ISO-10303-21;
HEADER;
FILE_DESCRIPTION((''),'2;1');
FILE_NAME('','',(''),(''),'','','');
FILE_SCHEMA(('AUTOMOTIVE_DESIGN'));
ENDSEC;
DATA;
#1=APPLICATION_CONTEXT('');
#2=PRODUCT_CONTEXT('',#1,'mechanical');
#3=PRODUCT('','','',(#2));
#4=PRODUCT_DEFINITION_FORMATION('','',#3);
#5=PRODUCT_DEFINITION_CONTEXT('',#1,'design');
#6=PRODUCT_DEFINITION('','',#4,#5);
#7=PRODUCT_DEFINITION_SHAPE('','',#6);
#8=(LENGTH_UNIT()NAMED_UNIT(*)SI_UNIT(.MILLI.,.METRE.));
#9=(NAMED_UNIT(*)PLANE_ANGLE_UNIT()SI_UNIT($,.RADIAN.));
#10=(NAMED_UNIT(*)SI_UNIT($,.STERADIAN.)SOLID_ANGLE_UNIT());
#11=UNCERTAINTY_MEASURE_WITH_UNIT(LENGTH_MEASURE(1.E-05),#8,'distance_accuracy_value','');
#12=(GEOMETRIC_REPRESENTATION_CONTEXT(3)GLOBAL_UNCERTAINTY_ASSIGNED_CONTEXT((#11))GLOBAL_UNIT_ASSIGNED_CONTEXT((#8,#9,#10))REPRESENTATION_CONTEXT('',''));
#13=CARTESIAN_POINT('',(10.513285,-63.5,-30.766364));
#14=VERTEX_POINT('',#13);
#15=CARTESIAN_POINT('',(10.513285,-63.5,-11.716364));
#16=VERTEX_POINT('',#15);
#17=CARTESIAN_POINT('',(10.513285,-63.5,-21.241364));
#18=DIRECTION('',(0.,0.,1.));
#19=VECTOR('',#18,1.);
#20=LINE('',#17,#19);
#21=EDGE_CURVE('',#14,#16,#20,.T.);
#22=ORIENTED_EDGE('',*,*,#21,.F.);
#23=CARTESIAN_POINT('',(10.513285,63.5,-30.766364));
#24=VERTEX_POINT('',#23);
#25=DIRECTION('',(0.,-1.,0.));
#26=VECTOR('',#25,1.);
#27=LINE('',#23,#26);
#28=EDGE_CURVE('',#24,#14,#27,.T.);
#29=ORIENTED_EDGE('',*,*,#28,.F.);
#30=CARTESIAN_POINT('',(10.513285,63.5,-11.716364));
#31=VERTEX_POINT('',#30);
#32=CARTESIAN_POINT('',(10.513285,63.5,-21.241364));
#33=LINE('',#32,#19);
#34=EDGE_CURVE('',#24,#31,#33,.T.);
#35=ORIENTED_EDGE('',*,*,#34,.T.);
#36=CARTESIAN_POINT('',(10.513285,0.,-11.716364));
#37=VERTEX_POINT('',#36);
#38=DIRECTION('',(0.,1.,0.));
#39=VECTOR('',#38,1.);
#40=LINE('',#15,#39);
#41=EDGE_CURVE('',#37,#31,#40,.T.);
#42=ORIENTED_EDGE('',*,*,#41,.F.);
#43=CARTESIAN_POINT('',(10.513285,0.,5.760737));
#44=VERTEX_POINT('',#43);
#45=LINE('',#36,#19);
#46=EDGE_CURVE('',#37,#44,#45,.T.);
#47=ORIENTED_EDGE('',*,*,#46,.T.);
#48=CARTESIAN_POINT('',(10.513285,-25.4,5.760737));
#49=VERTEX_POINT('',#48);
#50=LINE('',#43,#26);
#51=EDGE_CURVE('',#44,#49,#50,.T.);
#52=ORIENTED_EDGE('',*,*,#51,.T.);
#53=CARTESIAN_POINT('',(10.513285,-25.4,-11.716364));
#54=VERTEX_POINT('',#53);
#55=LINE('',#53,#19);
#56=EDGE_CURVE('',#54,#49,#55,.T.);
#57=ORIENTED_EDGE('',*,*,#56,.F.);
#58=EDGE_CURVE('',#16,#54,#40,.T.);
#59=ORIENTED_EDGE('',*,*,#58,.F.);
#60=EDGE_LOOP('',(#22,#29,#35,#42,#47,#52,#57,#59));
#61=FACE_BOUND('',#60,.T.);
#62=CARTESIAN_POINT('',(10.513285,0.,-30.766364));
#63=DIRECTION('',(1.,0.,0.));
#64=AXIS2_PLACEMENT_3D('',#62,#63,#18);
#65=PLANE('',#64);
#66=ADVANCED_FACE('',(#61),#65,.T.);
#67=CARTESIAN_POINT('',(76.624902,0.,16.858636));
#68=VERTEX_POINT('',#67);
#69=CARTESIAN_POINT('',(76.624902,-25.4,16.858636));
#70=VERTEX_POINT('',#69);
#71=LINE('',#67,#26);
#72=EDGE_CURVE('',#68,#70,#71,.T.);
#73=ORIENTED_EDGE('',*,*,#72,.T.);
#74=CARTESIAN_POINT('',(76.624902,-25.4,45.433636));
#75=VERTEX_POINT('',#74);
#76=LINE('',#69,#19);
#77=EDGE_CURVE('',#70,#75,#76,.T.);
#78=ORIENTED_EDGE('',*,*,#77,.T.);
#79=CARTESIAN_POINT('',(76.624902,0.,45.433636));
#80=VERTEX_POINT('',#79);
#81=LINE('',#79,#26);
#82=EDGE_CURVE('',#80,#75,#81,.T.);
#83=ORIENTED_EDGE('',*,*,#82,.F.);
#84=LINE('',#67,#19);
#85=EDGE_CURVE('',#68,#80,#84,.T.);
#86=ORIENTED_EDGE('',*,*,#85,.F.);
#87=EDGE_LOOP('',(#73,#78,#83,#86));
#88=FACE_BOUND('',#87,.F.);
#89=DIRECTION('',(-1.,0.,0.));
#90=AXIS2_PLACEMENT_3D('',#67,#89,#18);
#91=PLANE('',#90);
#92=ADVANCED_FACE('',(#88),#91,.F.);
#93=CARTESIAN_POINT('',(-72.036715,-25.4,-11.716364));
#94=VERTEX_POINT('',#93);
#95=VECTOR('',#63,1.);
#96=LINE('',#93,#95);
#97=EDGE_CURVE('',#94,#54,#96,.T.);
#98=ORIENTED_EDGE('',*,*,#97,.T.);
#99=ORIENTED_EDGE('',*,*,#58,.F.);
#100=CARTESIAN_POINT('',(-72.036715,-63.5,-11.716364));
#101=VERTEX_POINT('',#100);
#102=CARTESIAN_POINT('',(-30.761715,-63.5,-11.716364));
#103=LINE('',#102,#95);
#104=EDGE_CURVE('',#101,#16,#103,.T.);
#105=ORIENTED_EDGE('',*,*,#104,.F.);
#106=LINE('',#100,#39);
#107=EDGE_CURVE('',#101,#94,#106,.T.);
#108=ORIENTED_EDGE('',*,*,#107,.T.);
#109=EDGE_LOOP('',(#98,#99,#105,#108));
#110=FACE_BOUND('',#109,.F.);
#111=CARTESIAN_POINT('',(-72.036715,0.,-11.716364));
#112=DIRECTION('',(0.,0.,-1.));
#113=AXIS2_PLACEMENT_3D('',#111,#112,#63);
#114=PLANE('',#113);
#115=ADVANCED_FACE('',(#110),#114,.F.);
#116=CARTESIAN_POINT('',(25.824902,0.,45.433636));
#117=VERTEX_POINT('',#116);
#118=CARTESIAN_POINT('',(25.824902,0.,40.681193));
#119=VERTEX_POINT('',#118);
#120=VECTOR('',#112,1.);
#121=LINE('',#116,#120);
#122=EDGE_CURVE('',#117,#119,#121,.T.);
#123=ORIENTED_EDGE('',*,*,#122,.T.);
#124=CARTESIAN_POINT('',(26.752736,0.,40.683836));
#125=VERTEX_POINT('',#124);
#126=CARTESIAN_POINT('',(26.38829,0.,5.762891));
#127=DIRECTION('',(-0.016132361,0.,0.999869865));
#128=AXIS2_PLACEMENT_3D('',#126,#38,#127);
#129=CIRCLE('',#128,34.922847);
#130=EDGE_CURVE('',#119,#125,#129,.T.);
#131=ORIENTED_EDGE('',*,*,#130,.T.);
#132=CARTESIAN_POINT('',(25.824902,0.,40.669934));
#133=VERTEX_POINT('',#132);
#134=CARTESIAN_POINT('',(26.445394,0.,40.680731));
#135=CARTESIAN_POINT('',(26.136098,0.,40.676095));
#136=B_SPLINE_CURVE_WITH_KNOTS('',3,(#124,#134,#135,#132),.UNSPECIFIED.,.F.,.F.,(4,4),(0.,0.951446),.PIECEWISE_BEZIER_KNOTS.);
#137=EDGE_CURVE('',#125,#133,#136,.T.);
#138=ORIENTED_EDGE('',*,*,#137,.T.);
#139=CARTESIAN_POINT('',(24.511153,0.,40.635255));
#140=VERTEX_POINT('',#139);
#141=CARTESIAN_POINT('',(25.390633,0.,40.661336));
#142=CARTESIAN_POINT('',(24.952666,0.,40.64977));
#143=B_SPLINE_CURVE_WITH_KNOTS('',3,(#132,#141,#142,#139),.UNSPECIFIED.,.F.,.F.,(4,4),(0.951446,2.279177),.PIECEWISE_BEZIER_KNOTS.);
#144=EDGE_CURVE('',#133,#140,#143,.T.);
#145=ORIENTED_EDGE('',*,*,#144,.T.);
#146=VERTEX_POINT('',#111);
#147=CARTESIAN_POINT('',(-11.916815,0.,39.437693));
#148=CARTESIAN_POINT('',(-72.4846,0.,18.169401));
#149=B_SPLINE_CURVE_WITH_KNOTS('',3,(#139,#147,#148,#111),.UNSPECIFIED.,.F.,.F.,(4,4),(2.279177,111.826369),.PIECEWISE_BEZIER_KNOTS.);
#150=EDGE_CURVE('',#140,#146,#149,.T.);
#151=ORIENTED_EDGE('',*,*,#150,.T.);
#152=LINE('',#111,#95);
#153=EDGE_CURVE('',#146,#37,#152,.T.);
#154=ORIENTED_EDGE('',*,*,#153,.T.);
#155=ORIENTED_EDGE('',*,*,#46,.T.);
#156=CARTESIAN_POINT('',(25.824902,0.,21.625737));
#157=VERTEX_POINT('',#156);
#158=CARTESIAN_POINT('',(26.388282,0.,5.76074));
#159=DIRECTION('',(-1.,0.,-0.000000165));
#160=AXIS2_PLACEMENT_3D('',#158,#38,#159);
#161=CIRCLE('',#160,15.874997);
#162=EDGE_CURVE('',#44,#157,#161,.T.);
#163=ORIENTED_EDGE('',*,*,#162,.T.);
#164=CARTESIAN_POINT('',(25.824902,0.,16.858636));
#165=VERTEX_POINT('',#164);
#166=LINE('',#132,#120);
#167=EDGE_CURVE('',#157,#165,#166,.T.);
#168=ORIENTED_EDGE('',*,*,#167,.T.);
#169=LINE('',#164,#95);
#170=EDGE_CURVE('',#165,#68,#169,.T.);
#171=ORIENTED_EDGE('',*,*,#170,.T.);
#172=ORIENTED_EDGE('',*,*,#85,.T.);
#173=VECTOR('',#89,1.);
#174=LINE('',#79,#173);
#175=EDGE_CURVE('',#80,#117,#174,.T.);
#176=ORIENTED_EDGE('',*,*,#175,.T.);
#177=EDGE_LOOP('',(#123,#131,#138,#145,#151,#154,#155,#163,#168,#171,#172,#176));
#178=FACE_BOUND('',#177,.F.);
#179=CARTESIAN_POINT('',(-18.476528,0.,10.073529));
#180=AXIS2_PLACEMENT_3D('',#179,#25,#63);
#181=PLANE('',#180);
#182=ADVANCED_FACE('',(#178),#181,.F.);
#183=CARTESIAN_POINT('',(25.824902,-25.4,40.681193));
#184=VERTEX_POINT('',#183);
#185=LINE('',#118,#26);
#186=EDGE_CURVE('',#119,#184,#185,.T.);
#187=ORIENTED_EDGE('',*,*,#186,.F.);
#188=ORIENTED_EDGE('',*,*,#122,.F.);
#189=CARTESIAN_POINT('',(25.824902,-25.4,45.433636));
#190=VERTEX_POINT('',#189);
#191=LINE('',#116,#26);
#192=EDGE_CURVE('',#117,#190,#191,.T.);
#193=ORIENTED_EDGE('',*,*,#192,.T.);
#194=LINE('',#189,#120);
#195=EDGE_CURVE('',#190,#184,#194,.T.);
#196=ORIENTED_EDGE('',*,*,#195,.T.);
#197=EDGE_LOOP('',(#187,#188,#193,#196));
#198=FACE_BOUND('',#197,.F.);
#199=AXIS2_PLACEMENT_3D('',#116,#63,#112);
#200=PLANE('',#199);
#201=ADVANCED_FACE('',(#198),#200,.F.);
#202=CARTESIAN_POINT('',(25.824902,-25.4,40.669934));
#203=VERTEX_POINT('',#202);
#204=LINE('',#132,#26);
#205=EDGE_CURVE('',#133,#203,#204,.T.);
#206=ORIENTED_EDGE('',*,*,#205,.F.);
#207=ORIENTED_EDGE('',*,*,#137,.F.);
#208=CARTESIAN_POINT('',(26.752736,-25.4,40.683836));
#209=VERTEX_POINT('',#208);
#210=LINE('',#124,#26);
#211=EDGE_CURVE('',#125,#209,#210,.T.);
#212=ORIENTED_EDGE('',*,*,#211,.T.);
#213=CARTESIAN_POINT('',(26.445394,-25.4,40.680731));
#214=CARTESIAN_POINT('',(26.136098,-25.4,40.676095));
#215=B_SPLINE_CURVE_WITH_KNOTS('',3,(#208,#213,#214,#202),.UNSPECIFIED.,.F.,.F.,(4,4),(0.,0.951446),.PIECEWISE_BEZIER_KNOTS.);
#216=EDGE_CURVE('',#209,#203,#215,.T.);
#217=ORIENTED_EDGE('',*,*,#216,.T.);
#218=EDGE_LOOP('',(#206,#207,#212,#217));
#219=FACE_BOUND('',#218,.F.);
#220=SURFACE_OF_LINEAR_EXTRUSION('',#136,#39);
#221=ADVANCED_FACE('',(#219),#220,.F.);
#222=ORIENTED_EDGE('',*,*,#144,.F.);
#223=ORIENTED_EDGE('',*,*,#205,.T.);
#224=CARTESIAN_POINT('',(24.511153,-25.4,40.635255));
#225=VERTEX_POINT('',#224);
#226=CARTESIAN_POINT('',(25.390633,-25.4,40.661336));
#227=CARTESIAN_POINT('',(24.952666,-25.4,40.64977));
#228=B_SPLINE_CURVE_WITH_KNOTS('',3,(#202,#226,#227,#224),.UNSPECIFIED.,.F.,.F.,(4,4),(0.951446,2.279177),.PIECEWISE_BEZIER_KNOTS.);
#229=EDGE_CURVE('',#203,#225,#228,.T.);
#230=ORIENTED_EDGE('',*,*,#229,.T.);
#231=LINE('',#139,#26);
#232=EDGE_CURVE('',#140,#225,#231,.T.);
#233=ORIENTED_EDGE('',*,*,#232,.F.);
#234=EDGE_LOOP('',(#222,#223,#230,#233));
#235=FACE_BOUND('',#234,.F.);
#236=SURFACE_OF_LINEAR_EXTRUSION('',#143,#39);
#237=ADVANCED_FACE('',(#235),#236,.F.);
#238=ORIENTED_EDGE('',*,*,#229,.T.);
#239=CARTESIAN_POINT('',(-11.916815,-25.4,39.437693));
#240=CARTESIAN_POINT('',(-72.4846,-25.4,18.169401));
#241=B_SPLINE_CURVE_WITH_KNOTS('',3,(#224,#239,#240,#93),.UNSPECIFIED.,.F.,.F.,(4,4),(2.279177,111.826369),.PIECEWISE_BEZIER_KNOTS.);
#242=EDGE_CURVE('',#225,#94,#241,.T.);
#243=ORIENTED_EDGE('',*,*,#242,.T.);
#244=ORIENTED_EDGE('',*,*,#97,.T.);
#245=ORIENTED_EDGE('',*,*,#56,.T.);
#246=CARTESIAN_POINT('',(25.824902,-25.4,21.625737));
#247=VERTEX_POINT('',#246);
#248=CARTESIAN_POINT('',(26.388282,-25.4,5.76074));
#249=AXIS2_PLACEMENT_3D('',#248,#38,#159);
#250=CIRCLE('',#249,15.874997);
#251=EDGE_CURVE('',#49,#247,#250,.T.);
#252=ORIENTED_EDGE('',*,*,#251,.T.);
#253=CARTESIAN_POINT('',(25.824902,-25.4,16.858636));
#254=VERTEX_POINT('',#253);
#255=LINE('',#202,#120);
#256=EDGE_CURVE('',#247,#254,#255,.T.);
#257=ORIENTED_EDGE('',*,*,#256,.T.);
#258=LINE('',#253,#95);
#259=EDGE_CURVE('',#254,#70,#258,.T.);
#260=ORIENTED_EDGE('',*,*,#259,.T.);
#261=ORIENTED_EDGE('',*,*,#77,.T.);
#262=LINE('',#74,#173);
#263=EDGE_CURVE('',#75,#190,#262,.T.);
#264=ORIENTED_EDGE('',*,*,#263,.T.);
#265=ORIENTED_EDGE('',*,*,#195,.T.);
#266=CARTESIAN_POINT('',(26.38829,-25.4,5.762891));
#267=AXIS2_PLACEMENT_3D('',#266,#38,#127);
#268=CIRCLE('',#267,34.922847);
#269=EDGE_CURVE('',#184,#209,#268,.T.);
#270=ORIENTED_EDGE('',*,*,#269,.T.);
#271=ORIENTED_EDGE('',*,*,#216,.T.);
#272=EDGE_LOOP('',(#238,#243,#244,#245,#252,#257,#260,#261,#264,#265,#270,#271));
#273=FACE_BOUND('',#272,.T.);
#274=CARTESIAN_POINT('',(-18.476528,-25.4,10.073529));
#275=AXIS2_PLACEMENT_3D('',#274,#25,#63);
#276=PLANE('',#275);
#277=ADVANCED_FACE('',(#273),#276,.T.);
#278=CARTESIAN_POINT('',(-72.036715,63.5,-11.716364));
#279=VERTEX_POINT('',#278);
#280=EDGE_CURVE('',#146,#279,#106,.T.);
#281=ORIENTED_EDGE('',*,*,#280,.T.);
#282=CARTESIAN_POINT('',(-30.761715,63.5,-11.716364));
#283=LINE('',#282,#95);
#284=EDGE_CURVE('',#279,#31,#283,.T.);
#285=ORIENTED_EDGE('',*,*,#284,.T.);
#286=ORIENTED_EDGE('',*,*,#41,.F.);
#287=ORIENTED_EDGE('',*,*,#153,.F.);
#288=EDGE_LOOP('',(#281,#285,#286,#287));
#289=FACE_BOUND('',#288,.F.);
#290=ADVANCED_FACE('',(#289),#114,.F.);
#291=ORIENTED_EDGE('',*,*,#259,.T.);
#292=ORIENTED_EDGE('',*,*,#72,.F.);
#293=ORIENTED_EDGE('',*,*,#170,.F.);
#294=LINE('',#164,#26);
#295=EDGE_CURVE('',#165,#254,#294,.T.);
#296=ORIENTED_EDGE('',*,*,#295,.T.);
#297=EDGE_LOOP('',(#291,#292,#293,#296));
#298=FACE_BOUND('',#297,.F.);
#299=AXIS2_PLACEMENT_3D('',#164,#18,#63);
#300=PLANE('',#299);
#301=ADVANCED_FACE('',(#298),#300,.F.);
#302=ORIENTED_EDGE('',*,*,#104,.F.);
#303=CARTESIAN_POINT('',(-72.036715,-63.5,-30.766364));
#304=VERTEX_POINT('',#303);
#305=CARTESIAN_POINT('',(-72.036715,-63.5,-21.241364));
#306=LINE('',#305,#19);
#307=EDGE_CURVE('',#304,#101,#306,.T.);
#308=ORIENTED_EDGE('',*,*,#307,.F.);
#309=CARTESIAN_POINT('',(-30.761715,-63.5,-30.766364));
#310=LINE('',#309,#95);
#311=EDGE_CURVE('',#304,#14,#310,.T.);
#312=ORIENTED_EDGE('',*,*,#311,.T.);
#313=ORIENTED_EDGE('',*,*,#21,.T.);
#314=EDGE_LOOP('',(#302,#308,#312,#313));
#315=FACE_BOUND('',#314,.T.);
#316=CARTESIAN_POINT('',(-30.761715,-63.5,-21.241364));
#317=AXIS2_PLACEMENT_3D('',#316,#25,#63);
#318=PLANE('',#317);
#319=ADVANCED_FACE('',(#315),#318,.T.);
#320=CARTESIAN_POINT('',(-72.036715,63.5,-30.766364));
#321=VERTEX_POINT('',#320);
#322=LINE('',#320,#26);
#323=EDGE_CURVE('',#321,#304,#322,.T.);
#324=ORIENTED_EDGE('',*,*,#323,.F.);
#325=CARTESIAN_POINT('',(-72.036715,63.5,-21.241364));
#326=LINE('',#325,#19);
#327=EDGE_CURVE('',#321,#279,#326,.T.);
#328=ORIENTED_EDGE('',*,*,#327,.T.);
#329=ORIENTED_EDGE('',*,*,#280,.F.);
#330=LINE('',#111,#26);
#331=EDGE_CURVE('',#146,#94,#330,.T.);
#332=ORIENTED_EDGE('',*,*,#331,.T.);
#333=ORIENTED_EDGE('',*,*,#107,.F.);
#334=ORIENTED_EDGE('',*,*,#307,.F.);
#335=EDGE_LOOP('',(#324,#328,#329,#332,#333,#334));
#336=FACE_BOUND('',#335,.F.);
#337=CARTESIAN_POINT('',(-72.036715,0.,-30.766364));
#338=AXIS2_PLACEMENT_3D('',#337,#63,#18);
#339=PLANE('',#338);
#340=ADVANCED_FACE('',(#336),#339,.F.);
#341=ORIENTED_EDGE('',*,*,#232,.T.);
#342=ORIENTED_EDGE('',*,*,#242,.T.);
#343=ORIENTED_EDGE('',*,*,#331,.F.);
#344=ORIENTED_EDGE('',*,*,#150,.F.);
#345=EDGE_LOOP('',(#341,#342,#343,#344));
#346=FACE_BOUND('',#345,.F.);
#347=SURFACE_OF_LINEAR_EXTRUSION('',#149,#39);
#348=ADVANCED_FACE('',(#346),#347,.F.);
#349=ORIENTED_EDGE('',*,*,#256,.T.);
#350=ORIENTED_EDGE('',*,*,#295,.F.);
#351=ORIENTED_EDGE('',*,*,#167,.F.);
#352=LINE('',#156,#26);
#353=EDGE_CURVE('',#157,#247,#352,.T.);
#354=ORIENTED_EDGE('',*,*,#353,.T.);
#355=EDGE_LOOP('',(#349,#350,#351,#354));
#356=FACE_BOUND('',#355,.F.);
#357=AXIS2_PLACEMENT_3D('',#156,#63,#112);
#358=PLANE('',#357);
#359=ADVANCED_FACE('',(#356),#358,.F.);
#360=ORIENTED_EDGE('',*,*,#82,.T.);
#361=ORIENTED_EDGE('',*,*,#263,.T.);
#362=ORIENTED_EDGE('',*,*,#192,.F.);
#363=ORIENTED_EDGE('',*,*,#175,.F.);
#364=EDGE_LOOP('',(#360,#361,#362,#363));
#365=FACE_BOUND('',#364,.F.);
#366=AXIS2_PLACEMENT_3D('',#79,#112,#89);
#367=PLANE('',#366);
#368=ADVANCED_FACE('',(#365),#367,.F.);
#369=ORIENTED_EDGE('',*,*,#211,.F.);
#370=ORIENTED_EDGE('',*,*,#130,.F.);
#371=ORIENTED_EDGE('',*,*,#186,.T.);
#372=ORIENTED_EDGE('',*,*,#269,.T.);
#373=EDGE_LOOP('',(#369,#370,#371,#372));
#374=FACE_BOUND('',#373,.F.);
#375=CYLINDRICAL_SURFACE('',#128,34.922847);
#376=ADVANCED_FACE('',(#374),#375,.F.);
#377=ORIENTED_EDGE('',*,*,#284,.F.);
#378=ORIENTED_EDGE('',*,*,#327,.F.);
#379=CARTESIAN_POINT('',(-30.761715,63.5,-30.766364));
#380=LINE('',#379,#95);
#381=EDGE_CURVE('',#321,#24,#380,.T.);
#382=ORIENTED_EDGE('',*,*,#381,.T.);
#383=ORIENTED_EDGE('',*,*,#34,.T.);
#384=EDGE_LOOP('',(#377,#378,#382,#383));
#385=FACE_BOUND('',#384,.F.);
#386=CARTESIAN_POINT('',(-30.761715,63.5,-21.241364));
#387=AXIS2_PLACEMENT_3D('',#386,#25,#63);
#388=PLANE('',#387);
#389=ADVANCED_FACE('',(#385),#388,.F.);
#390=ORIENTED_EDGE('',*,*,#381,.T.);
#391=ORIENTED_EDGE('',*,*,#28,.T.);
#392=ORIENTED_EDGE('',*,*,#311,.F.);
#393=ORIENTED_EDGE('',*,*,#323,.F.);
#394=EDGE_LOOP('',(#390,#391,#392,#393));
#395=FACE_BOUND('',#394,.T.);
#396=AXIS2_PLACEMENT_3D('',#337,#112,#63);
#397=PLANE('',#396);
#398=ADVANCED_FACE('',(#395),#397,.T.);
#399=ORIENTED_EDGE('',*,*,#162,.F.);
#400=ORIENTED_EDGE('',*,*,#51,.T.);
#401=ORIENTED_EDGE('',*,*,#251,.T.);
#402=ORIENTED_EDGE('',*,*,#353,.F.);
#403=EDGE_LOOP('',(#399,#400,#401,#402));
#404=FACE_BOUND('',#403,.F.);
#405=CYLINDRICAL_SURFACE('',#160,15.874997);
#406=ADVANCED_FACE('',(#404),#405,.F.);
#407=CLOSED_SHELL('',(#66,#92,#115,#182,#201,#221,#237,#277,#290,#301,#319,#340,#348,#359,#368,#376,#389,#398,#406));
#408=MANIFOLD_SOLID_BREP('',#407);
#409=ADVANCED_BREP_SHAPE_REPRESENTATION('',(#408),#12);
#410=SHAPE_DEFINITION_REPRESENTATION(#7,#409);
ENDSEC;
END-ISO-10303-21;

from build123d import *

# Parameters (mm, degrees)
F0_W     = 82.55
F0_H     = 19.05
F1_DEPTH = 63.5
F2_DEPTH = 25.4


with BuildPart() as f1:
    # F0 (on Front) → F1 (new body, symmetric)
    with BuildSketch(Plane.XZ):
        with Locations((-30.761715, -21.241364)):
            Rectangle(F0_W, F0_H)
    extrude(amount=F1_DEPTH, both=True)

    # F0 (on Front) → F2 (join)
    with BuildSketch(Plane.XZ):
        with BuildLine():
            add(Edge.make_bspline(
                [(24.511153, 40.635255), (-11.916815, 39.437693), (-72.4846, 18.169401), (-72.036715, -11.716364)],
                knots=[2.279177, 2.279177, 2.279177, 2.279177, 111.826369, 111.826369, 111.826369, 111.826369], degree=3))
            Line((-72.036715, -11.716364), (10.513285, -11.716364))
            Line((10.513285, -11.716364), (10.513285, 5.760737))
            ThreePointArc((10.513285, 5.760737), (14.965515, 16.785073), (25.824902, 21.625737))
            Line((25.824902, 21.625737), (25.824902, 40.669934))
            add(Edge.make_bspline(
                [(25.824902, 40.669934), (25.390633, 40.661336), (24.952666, 40.64977), (24.511153, 40.635255)],
                knots=[0.951446, 0.951446, 0.951446, 0.951446, 2.279177, 2.279177, 2.279177, 2.279177], degree=3))
        make_face()
        with BuildLine():
            Line((25.824902, 45.433636), (25.824902, 40.681193))
            ThreePointArc((25.824902, 40.681193), (26.288811, 40.685596), (26.752736, 40.683836))
            add(Edge.make_bspline(
                [(26.752736, 40.683836), (26.445394, 40.680731), (26.136098, 40.676095), (25.824902, 40.669934)],
                knots=[0, 0, 0, 0, 0.951446, 0.951446, 0.951446, 0.951446], degree=3))
            Line((25.824902, 40.669934), (25.824902, 21.625737))
            Line((25.824902, 21.625737), (25.824902, 16.858636))
            Line((25.824902, 16.858636), (76.624902, 16.858636))
            Line((76.624902, 16.858636), (76.624902, 45.433636))
            Line((76.624902, 45.433636), (25.824902, 45.433636))
        make_face()
    extrude(amount=F2_DEPTH)


solid = f1.part
